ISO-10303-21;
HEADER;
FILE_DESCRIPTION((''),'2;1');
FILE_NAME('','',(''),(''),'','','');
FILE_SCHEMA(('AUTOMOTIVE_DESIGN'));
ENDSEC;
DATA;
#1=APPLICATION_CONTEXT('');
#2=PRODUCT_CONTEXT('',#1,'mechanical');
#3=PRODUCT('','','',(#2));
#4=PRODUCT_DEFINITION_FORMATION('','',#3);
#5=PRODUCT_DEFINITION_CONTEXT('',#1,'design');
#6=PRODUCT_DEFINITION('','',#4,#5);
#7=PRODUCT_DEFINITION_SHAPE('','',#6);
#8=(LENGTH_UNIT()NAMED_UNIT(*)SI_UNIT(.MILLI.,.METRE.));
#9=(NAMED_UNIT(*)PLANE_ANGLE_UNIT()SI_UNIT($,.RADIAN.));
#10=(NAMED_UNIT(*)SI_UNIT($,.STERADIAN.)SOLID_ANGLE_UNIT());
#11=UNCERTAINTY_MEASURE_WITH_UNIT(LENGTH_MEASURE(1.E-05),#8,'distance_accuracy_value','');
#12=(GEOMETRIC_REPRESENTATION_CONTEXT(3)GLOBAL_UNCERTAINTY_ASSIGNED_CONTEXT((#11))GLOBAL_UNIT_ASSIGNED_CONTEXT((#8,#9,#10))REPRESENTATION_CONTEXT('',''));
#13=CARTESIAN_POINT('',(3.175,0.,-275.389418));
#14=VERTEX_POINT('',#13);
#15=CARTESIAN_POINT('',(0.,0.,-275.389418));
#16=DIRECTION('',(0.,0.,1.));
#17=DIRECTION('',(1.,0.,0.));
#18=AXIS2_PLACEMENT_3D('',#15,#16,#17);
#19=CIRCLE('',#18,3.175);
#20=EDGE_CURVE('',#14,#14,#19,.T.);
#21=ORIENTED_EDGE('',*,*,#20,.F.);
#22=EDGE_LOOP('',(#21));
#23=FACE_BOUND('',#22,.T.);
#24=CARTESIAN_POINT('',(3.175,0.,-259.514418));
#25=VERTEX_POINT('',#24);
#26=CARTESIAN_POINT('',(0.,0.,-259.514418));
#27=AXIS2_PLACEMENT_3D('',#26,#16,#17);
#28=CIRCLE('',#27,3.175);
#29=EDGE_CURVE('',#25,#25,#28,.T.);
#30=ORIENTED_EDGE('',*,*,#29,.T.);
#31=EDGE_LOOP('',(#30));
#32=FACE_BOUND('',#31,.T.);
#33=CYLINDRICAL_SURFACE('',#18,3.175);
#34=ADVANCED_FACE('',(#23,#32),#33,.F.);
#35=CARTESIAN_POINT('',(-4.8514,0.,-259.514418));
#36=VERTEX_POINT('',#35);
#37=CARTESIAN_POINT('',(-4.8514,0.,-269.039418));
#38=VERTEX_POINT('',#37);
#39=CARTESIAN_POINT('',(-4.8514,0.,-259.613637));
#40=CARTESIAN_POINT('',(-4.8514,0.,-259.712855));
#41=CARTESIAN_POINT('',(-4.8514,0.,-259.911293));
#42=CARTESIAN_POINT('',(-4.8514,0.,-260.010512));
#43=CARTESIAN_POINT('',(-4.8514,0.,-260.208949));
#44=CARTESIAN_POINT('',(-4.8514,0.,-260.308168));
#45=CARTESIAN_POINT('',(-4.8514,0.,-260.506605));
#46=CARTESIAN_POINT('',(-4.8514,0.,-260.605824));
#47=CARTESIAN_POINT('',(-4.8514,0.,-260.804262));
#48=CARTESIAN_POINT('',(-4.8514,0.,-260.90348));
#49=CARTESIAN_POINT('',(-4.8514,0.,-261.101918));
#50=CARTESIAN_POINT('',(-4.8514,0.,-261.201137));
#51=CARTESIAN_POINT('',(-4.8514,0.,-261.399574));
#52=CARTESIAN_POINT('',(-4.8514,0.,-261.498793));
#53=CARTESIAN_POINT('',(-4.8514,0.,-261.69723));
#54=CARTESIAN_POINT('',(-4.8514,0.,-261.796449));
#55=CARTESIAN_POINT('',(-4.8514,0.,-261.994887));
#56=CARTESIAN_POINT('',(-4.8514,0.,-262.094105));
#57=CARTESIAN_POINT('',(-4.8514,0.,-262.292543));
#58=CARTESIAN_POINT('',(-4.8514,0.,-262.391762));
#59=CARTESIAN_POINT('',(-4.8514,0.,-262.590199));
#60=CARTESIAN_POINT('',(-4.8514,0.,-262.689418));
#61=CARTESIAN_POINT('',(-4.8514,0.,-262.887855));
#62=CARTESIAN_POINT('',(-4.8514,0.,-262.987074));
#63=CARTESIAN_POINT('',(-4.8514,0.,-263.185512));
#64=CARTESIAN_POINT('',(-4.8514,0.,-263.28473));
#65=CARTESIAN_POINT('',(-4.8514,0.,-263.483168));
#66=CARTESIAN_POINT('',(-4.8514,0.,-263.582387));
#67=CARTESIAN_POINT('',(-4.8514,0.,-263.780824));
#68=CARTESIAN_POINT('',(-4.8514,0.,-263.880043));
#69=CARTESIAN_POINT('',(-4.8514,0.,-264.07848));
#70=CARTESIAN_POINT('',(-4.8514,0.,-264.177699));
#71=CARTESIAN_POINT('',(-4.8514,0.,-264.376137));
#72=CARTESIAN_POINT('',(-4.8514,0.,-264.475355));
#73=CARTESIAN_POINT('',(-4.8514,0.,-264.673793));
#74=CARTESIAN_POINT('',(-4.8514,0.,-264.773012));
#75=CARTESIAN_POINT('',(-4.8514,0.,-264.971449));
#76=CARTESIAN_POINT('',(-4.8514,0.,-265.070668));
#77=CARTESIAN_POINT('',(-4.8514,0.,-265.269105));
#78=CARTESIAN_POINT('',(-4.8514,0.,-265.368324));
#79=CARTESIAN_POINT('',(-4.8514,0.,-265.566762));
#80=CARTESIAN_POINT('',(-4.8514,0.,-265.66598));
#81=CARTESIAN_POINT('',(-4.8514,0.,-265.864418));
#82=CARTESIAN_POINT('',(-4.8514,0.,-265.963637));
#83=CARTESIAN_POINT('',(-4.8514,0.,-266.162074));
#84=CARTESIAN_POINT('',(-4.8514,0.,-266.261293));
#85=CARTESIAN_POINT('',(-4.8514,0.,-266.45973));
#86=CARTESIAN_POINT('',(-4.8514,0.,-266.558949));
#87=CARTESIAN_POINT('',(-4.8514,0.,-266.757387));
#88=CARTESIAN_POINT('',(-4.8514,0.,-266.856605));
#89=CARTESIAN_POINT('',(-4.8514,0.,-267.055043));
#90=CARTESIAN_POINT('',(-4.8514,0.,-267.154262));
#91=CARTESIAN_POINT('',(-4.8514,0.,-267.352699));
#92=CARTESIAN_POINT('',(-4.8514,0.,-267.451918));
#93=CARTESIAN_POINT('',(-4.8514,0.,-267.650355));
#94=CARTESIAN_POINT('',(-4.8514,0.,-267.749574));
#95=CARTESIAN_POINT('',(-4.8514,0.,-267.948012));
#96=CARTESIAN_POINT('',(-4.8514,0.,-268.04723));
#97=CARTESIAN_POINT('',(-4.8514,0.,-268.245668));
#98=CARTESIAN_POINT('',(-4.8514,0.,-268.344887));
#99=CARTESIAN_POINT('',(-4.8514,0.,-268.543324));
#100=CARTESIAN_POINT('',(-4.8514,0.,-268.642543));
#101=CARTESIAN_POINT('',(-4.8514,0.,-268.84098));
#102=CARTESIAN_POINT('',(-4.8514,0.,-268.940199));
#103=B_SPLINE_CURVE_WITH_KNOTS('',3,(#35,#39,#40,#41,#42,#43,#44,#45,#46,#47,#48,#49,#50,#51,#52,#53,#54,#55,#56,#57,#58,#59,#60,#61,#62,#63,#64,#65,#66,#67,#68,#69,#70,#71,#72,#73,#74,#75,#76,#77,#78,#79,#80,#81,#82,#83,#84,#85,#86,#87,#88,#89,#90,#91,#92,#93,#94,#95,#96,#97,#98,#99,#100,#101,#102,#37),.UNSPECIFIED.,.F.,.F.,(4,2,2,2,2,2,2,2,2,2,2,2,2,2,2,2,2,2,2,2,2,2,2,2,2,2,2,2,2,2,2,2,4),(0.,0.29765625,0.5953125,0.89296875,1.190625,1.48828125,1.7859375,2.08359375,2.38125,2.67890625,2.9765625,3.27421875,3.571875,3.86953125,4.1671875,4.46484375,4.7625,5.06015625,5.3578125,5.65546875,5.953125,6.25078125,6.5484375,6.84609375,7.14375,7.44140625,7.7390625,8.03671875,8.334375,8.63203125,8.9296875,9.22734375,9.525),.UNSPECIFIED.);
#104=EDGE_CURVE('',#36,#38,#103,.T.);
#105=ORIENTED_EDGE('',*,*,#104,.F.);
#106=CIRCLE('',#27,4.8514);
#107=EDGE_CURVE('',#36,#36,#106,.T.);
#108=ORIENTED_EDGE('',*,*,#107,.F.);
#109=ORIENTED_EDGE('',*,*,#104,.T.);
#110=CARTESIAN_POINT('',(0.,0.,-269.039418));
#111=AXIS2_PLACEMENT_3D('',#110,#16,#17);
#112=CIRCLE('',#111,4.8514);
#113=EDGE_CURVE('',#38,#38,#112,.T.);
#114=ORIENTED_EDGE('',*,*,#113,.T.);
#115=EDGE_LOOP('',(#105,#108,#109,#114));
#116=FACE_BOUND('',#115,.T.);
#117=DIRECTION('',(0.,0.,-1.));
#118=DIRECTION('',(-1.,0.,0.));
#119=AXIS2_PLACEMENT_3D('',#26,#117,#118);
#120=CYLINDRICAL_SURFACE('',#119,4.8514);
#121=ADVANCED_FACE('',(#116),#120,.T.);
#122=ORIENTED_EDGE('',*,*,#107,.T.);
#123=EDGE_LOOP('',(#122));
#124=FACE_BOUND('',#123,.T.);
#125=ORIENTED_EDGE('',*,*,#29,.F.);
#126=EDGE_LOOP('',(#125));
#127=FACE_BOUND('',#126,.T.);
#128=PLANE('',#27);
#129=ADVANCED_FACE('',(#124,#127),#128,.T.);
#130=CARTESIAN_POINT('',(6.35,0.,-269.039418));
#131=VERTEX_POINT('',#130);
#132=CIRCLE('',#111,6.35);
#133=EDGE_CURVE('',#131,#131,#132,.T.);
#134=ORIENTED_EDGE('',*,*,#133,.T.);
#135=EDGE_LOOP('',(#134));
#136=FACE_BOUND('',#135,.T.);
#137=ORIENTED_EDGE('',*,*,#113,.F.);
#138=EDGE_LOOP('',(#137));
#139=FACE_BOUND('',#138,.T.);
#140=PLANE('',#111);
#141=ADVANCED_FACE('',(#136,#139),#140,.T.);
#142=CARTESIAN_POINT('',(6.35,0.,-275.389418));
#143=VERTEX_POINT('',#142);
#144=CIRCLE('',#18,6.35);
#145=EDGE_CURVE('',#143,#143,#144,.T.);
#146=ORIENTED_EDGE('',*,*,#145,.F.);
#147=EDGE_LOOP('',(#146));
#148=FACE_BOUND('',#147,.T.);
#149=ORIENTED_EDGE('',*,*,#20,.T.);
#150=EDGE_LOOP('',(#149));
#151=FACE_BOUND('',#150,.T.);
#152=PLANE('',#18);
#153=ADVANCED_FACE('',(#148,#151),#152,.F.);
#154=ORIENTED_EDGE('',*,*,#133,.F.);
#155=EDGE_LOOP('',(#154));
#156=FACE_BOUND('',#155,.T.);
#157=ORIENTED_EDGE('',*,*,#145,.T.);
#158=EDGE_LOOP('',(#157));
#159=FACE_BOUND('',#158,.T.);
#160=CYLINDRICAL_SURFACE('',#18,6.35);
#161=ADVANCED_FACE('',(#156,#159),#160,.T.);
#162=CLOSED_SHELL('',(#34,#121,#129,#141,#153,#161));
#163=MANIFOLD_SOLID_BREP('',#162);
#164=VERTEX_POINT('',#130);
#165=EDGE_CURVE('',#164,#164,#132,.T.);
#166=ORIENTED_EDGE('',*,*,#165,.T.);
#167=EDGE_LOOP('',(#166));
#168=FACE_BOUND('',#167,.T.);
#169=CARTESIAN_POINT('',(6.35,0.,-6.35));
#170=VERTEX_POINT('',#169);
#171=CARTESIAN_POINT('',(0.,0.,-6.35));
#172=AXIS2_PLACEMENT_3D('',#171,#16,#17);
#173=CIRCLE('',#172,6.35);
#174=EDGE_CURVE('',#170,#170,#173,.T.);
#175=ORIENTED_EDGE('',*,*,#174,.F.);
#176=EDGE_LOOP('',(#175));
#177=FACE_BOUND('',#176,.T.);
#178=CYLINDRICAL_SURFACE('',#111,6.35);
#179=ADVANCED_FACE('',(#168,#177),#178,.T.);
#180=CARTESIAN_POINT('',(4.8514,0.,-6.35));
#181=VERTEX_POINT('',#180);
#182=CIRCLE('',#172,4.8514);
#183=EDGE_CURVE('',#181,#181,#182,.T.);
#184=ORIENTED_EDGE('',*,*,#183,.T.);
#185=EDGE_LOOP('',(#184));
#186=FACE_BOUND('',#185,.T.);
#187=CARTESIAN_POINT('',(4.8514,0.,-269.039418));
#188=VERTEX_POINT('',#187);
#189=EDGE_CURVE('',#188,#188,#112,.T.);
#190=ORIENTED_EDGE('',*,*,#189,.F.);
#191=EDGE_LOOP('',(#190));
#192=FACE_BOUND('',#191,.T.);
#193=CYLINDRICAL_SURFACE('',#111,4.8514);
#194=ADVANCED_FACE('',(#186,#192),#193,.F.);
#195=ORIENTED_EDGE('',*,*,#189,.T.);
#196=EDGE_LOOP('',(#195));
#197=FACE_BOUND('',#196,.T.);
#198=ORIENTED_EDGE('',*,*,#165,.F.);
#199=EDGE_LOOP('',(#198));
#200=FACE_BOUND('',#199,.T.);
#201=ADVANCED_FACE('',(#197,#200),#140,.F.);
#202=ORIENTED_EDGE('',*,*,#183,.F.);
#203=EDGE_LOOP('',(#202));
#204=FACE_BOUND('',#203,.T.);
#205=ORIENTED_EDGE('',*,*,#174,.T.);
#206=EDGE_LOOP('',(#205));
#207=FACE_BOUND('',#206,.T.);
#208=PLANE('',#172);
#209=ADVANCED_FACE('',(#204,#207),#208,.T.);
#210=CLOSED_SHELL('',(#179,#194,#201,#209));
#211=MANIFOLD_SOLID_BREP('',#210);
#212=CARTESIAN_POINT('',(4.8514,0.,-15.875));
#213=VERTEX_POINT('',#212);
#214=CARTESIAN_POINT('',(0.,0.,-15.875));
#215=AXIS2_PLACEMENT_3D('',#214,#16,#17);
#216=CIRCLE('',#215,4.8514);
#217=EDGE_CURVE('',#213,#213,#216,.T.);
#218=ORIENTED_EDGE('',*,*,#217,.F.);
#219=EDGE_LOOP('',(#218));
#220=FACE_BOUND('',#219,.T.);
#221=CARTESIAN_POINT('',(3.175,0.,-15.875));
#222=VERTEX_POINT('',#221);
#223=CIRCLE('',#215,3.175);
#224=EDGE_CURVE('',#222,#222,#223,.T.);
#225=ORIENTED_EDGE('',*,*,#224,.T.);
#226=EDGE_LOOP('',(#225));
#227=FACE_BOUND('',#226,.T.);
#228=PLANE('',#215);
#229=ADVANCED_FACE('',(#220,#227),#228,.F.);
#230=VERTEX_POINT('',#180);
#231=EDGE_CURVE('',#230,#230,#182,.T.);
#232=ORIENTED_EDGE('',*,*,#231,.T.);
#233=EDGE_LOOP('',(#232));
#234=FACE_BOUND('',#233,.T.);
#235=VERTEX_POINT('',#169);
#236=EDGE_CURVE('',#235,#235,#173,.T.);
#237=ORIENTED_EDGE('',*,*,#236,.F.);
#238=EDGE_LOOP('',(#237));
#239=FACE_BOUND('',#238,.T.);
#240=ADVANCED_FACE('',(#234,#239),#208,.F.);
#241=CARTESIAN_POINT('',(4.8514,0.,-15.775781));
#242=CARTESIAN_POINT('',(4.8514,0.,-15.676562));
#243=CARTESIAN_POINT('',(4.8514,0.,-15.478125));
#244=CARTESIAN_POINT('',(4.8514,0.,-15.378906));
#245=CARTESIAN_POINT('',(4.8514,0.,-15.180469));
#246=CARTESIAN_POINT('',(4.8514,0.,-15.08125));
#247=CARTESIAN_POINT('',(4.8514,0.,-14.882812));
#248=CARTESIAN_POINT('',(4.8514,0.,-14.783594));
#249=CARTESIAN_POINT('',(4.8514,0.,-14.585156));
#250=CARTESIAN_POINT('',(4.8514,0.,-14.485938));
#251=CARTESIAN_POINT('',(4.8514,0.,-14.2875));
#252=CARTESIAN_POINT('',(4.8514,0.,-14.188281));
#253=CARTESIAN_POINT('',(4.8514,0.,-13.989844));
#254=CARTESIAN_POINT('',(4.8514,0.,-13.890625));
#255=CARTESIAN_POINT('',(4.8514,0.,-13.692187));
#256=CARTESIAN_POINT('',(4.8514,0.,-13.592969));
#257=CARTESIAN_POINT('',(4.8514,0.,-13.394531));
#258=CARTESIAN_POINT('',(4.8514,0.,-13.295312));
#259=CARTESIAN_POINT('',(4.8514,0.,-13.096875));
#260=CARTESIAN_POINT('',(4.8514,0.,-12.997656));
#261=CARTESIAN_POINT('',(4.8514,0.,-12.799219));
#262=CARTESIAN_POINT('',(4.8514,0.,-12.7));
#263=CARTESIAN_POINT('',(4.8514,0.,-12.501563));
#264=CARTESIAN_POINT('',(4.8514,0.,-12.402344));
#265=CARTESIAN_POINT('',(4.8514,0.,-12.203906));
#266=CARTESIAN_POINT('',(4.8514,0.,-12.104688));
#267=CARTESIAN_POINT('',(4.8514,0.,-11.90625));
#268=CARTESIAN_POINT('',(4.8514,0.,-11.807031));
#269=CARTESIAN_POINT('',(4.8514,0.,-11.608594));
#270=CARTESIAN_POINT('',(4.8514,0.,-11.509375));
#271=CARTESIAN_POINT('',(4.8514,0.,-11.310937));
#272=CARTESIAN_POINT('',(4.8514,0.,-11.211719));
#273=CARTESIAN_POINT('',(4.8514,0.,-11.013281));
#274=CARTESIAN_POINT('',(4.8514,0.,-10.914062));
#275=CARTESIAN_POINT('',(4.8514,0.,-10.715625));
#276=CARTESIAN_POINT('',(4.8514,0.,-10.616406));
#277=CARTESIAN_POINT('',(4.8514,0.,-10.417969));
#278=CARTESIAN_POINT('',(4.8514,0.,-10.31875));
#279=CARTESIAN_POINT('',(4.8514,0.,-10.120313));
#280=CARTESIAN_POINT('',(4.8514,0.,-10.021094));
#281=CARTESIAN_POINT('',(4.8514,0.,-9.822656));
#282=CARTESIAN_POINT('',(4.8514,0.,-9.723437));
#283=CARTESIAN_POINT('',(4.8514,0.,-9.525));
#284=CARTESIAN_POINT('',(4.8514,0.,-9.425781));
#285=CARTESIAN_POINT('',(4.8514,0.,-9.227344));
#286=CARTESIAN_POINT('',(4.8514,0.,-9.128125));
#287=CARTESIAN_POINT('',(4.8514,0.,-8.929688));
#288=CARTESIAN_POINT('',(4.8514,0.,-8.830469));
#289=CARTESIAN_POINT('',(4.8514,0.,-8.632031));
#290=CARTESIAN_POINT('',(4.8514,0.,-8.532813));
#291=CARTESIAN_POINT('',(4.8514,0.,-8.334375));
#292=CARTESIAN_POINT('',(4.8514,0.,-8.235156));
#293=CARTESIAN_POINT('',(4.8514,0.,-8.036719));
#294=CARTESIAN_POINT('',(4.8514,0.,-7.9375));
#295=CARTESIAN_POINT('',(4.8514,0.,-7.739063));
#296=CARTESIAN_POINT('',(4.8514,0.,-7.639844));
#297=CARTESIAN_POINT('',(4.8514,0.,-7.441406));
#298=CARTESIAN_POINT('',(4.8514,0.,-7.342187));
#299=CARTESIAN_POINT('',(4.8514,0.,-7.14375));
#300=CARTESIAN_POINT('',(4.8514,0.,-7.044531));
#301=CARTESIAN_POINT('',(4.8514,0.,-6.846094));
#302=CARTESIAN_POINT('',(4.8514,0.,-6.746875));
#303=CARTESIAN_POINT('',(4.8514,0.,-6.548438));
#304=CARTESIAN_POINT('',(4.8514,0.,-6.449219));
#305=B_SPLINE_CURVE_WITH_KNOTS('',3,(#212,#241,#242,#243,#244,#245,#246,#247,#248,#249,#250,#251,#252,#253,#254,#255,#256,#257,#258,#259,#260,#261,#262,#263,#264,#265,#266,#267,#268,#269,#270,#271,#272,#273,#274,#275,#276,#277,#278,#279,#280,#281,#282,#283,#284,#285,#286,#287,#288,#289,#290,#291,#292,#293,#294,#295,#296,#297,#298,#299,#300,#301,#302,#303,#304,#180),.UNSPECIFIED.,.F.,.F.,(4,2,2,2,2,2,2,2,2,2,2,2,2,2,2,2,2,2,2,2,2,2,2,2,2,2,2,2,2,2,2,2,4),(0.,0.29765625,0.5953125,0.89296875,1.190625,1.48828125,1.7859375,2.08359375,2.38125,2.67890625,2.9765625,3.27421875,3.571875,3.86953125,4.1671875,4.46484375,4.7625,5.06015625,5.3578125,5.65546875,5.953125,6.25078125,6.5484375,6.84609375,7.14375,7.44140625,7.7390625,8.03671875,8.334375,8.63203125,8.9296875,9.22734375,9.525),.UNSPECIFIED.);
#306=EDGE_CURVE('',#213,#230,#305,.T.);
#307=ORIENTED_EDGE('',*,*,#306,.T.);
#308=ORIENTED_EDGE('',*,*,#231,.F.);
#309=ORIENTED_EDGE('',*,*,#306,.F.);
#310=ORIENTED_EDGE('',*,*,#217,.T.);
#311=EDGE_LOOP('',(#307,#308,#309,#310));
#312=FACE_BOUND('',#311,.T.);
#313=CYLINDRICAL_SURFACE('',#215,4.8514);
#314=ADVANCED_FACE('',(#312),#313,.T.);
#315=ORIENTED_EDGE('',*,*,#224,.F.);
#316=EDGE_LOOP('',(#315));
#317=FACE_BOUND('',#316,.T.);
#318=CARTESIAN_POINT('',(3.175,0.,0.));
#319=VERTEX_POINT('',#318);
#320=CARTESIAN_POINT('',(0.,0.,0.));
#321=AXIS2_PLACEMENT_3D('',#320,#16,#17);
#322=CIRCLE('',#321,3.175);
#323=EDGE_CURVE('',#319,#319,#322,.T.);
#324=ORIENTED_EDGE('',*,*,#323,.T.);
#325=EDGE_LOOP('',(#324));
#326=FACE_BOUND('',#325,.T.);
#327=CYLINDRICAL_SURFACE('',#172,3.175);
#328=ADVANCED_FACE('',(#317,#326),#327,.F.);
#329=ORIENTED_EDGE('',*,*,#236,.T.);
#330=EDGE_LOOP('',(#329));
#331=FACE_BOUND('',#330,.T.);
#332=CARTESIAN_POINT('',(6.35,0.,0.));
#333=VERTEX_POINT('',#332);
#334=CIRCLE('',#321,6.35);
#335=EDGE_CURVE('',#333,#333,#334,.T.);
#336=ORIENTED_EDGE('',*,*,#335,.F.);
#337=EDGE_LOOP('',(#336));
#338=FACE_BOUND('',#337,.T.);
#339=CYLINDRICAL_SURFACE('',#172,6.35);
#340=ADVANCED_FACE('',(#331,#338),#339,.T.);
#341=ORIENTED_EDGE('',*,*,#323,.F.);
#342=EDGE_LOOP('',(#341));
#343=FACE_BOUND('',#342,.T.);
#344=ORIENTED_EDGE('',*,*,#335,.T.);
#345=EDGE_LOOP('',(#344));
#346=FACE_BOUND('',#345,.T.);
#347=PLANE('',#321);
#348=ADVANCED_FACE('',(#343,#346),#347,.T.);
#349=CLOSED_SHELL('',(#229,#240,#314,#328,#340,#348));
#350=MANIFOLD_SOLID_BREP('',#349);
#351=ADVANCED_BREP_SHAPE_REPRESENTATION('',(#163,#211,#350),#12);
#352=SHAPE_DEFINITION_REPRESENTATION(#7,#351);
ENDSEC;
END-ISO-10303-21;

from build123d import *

# Parameters (mm, degrees)
SKETCH1_R                 = 6.35
SKETCH1_R_2               = 4.8514
SKETCH1_R_3               = 3.175
THREADED_INSERT_1_1_DEPTH = 6.35
THREADED_START            = -6.35
SKETCH1_3_R               = 4.8514
SKETCH1_3_R_2             = 3.175
THREADED_INSERT_1_2_DEPTH = 9.525
TUBE_START                = -6.35
SKETCH1_4_R               = 6.35
SKETCH1_4_R_2             = 4.8514
TUBE_EXTRUDE_DEPTH        = 262.689418
THREADED_START_2          = -269.039418
SKETCH1_6_R               = 4.8514
SKETCH1_6_R_2             = 3.175
THREADED_INSERT_2_1_DEPTH = 9.525
SKETCH1_9_R               = 6.35
SKETCH1_9_R_2             = 4.8514
SKETCH1_9_R_3             = 3.175
THREADED_INSERT_2_2_DEPTH = 6.35


with BuildPart() as part:
    # Sketch1 → Threaded insert 1-1 (new body)
    # profile 1 of 2: a face of its own
    with BuildSketch(Plane.XY):
        Circle(SKETCH1_R)
        Circle(SKETCH1_R_2, mode=Mode.SUBTRACT)
    # profile 2 of 2: a face of its own
    with BuildSketch(Plane.XY):
        Circle(SKETCH1_R_2)
        Circle(SKETCH1_R_3, mode=Mode.SUBTRACT)
    extrude(amount=-THREADED_INSERT_1_1_DEPTH)

    # Sketch1<3> → Threaded insert 1-2 (add)
    with BuildSketch(Plane.XY.offset(THREADED_START)):
        Circle(SKETCH1_3_R)
        Circle(SKETCH1_3_R_2, mode=Mode.SUBTRACT)
    extrude(amount=-THREADED_INSERT_1_2_DEPTH)


with BuildPart() as body_2:
    # Sketch1<4> → Tube extrude (new body)
    with BuildSketch(Plane.XY.offset(TUBE_START)):
        Circle(SKETCH1_4_R)
        Circle(SKETCH1_4_R_2, mode=Mode.SUBTRACT)
    extrude(amount=-TUBE_EXTRUDE_DEPTH)


with BuildPart() as body_3:
    # Sketch1<6> → Threaded insert 2-1 (new body)
    with BuildSketch(Plane.XY.offset(THREADED_START_2)):
        Circle(SKETCH1_6_R)
        Circle(SKETCH1_6_R_2, mode=Mode.SUBTRACT)
    extrude(amount=THREADED_INSERT_2_1_DEPTH)


with BuildPart() as body_4:
    # Sketch1<9> → Threaded insert 2-2 (new body)
    # profile 1 of 2: a face of its own
    with BuildSketch(Plane.XY.offset(THREADED_START_2)):
        Circle(SKETCH1_9_R)
        Circle(SKETCH1_9_R_2, mode=Mode.SUBTRACT)
    # profile 2 of 2: a face of its own
    with BuildSketch(Plane.XY.offset(THREADED_START_2)):
        Circle(SKETCH1_9_R_2)
        Circle(SKETCH1_9_R_3, mode=Mode.SUBTRACT)
    extrude(amount=-THREADED_INSERT_2_2_DEPTH)

    # Combine1: union body 3
    add(body_3.part)


solid = Compound([part.part, body_2.part, body_4.part])
